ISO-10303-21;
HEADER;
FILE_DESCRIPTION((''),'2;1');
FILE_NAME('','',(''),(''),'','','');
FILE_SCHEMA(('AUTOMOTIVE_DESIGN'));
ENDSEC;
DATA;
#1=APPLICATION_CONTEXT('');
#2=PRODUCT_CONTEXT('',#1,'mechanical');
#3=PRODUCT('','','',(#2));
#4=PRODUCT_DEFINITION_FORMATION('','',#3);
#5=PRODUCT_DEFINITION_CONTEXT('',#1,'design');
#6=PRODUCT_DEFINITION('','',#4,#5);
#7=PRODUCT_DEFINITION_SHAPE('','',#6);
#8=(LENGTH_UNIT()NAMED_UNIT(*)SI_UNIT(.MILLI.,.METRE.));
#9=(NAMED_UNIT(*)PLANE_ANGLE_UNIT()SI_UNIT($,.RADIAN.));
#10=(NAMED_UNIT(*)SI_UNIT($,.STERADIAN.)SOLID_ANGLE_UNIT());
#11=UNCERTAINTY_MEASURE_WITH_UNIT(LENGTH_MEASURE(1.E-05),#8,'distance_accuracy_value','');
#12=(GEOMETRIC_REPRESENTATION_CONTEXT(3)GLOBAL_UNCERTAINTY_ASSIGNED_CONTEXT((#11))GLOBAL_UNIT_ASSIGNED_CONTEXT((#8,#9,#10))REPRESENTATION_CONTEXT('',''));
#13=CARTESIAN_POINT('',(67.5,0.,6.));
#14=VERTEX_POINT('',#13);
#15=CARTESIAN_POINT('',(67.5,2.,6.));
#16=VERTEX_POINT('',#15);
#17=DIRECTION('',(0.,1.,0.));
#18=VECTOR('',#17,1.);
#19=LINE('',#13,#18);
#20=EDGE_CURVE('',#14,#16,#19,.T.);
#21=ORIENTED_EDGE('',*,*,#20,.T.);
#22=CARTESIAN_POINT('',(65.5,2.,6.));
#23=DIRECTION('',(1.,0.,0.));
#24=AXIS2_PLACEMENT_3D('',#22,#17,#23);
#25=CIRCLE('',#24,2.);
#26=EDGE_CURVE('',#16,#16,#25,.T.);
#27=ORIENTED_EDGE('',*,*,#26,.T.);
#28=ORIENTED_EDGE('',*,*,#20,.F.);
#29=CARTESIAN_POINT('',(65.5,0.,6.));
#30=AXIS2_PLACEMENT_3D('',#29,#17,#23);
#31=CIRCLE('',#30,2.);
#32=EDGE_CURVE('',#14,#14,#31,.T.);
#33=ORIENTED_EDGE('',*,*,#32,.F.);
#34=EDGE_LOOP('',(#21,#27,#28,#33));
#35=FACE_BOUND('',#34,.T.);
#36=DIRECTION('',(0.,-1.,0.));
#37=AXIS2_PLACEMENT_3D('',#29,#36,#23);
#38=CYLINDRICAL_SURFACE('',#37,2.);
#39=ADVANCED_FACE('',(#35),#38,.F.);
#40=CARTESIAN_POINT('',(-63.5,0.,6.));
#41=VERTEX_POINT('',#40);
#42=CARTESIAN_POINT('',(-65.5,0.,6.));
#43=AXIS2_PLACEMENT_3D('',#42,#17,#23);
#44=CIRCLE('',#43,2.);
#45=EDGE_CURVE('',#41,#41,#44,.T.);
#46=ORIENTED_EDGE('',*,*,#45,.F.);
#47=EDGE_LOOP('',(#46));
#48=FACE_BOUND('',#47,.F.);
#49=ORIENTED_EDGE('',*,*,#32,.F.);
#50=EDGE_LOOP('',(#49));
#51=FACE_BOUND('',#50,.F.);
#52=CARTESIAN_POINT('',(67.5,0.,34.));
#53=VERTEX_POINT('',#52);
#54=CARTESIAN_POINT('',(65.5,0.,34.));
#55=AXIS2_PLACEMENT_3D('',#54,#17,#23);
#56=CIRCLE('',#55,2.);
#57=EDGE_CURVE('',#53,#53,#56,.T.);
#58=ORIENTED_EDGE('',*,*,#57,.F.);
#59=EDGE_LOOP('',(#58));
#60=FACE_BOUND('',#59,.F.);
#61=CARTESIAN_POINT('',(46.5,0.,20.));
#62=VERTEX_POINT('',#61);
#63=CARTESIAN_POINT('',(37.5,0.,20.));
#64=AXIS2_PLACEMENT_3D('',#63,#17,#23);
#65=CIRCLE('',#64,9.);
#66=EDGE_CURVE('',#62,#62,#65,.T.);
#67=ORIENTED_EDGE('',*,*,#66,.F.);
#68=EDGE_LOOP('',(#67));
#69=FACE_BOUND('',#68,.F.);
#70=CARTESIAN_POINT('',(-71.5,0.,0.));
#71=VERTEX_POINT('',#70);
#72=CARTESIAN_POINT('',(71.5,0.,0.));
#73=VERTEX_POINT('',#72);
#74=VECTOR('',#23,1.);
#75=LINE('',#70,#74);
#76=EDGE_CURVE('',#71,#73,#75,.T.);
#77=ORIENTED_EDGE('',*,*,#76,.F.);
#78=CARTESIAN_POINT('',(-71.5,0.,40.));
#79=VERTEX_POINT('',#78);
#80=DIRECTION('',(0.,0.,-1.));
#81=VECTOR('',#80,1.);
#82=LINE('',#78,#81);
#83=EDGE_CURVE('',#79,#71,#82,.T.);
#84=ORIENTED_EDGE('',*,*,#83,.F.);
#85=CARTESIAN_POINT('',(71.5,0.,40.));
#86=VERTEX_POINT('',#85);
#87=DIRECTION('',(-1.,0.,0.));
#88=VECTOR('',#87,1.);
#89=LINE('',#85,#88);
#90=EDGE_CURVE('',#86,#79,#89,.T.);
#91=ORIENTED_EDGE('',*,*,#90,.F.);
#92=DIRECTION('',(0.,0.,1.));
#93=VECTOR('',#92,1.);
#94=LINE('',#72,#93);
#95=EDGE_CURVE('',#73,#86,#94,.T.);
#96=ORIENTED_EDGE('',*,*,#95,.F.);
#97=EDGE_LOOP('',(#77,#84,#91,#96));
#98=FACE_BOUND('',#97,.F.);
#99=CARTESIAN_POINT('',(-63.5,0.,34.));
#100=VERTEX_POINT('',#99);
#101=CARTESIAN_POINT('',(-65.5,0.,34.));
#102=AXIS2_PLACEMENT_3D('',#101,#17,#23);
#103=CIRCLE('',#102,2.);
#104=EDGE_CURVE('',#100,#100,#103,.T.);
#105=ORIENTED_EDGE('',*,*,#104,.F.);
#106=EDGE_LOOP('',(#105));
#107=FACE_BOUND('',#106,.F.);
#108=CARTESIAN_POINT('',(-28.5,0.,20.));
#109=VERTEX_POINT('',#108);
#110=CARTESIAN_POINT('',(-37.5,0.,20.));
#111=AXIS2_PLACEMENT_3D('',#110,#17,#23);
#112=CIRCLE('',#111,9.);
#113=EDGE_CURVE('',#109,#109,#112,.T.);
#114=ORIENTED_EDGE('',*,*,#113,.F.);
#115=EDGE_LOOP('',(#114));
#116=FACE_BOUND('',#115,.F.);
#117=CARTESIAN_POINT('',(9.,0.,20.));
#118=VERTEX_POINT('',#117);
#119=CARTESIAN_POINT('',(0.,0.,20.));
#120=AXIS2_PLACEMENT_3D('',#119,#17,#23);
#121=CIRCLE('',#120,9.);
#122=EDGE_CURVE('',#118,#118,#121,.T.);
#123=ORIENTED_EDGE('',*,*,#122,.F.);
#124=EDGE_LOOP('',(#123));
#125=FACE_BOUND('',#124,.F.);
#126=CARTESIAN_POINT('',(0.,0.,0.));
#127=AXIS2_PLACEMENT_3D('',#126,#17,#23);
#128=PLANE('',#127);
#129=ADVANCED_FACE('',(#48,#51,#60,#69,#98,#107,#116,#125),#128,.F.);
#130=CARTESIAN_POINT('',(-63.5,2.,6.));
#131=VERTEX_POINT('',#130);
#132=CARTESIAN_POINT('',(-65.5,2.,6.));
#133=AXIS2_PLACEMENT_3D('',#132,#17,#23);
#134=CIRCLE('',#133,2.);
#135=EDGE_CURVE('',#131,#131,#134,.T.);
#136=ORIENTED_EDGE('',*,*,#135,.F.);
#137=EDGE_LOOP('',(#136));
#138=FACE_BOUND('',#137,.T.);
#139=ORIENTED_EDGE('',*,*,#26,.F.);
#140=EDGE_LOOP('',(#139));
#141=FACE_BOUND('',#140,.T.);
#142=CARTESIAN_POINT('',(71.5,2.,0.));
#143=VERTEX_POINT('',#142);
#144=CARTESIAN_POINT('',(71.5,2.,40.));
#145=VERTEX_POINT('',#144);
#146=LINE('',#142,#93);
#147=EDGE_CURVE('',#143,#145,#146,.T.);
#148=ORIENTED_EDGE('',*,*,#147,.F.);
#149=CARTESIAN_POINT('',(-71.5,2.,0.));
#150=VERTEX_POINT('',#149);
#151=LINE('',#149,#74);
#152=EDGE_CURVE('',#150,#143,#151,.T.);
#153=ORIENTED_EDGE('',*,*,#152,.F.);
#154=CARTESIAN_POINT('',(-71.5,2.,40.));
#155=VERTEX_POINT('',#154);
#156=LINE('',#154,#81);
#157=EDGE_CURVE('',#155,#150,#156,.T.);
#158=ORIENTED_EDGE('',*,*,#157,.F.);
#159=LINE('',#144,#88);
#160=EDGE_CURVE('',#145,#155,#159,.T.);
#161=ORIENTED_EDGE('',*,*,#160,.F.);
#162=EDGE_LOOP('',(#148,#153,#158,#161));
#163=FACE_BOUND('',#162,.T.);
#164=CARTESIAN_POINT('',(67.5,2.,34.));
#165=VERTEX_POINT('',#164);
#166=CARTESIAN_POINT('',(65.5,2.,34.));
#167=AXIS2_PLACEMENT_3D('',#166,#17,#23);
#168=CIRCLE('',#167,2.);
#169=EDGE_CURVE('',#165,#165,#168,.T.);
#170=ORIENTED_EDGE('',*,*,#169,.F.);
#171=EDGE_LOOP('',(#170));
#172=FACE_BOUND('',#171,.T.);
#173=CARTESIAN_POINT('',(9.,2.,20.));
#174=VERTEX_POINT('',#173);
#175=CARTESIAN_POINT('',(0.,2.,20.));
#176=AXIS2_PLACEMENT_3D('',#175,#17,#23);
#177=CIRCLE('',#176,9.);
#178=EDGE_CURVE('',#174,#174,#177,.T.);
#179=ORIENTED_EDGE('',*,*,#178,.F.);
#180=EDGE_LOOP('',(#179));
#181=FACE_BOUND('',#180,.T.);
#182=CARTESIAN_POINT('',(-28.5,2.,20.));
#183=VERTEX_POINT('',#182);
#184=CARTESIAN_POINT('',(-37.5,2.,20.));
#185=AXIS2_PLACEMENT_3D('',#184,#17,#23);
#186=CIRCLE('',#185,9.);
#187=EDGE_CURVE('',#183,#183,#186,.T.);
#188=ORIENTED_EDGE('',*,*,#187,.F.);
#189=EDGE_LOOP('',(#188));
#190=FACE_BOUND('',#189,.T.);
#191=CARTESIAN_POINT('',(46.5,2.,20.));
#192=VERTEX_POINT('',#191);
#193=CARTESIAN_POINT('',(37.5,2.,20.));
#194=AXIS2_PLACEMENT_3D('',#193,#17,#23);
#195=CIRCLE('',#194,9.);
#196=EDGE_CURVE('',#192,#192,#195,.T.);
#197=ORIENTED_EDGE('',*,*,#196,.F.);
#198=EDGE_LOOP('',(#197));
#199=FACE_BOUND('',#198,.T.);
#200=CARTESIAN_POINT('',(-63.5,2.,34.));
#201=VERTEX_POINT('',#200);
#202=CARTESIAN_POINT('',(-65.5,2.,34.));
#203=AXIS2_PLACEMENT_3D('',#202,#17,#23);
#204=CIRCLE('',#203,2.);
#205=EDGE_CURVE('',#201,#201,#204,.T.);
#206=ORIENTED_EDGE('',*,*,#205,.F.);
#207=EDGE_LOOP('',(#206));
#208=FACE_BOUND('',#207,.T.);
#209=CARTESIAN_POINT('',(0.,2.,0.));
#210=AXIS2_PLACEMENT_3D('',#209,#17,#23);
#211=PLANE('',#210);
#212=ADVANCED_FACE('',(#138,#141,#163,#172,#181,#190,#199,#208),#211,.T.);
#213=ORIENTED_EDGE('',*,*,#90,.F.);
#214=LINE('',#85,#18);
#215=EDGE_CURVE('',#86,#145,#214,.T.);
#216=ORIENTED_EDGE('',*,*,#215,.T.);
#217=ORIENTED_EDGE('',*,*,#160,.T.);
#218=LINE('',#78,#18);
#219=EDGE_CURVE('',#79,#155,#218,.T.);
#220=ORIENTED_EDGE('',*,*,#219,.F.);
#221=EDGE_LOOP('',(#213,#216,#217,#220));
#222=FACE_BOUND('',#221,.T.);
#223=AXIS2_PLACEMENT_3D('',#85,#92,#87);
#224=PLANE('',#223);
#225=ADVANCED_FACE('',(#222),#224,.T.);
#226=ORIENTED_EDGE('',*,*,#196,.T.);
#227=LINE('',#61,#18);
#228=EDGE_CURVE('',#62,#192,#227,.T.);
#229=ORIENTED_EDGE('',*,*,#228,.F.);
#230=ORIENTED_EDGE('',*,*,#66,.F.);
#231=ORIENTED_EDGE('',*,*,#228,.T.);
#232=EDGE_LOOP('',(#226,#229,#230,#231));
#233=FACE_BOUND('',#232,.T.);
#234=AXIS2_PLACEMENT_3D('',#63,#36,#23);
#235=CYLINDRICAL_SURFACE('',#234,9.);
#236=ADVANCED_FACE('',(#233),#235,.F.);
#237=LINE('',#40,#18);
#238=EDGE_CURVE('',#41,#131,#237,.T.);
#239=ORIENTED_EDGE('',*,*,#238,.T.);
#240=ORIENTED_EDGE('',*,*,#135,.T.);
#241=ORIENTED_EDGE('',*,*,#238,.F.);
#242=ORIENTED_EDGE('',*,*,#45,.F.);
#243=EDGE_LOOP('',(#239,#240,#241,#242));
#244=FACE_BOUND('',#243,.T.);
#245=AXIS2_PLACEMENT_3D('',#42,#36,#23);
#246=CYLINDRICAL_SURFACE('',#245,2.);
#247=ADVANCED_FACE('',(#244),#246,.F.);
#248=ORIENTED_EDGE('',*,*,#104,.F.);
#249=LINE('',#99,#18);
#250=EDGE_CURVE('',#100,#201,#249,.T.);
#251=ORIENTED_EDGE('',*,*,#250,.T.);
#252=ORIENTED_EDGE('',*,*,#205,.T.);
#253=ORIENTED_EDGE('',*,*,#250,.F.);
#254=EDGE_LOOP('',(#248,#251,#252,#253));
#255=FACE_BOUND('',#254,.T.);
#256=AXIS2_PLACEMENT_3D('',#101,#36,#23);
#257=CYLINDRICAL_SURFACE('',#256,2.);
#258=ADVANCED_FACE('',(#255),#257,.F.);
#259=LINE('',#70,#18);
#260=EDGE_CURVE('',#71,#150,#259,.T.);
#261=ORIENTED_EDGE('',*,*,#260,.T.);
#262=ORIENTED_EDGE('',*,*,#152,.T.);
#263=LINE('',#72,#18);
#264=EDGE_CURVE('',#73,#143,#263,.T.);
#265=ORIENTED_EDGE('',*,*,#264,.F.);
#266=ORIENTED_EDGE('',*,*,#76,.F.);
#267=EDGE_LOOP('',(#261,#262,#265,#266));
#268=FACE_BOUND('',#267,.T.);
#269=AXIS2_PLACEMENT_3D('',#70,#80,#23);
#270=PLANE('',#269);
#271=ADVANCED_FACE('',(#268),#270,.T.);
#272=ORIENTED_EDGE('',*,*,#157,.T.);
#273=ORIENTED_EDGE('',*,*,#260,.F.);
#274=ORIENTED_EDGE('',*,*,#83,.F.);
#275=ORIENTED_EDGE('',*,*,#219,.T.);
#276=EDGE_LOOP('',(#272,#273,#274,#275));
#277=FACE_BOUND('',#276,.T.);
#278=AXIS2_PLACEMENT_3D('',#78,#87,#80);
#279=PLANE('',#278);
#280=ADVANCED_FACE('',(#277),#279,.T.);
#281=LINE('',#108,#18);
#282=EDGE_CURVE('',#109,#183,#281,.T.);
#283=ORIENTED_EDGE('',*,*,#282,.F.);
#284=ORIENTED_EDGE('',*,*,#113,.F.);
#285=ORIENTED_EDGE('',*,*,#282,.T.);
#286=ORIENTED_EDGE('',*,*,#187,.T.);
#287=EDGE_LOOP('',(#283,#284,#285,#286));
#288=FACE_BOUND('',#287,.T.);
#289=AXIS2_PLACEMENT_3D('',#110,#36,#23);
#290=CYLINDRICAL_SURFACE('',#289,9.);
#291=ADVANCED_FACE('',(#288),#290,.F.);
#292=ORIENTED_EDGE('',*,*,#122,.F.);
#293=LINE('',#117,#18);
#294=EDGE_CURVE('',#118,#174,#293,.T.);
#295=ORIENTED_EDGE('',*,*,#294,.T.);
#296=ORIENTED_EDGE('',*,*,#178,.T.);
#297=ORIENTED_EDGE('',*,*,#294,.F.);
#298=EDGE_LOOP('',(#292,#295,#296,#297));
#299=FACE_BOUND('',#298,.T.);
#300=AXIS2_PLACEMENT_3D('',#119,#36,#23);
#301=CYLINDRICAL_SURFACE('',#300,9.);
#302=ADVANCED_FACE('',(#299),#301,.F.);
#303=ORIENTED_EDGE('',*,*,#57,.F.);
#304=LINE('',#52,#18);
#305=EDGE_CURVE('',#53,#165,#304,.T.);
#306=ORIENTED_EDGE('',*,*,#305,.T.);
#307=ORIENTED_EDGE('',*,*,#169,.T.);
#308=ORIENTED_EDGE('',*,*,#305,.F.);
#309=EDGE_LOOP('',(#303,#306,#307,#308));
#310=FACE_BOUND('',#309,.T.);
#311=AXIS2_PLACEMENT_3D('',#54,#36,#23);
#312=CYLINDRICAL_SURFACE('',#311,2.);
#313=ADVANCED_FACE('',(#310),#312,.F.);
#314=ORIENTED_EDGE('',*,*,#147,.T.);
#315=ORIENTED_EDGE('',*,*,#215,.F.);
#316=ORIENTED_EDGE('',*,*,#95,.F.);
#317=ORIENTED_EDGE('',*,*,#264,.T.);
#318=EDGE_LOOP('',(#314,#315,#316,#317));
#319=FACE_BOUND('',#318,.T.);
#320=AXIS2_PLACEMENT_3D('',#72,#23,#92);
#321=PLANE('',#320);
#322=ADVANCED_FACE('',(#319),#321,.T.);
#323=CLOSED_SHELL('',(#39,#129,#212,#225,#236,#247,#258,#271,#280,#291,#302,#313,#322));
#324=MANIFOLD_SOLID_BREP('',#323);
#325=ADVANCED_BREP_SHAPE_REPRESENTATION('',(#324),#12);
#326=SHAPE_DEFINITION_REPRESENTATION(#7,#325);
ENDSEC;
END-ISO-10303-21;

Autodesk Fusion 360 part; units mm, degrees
sketch "Sketch1" plane through (0, 0, 0) normal (0, 1, 0) x (1, 0, 0)
  line L0 (0, 0) -> (0, -50.0731) construction
  line L1 (-71.5, 0) -> (71.5, 0)
  line L2 (71.5, 0) -> (71.5, -40)
  line L3 (71.5, -40) -> (-71.5, -40)
  line L4 (-71.5, -40) -> (-71.5, 0)
  line L5 (-71.5, -20) -> (71.5, -20) construction
  line L6 (-65.5, -34) -> (65.5, -34) construction
  line L7 (65.5, -34) -> (65.5, -6) construction
  line L8 (65.5, -6) -> (-65.5, -6) construction
  line L9 (-65.5, -6) -> (-65.5, -34) construction
  circle A0 centre (-65.5, -34) radius 2
  circle A1 centre (65.5, -34) radius 2
  circle A2 centre (65.5, -6) radius 2
  circle A3 centre (-65.5, -6) radius 2
  circle A4 centre (37.5, -20) radius 9
  circle A5 centre (-37.5, -20) radius 9
  circle A6 centre (0, -20) radius 9
  dimension "d1" = 143
  dimension "d2" = 40
  dimension "d3" = 71.5
  dimension "d4" = 40
  dimension "d5" = 6
  dimension "d6" = 6
  dimension "d7" = 6
  dimension "d8" = 6
  dimension "d9" = 4
  dimension "d10" = 4
  dimension "d11" = 4
  dimension "d12" = 4
  dimension "d16" = 18
  dimension "d17" = 18
  dimension "d25" = 18
  dimension "d26" = 37.5
  dimension "d27" = 37.5
extrude "Extrude1" add sketch "Sketch1" along normal blind 2
equation "d3 = d1 / 2"
equation "d4 = d2"
equation "d6 = d5"
equation "d8 = d7"
equation "d10 = d9"
equation "d11 = d9"
equation "d12 = d9"
equation "HoleSpread = 75 mm"
equation "HoleDia = 18 mm"
equation "d16 = HoleDia"
equation "d17 = HoleDia"
equation "d25 = HoleDia"
equation "d26 = HoleSpread / 2"
equation "d27 = HoleSpread / 2"
